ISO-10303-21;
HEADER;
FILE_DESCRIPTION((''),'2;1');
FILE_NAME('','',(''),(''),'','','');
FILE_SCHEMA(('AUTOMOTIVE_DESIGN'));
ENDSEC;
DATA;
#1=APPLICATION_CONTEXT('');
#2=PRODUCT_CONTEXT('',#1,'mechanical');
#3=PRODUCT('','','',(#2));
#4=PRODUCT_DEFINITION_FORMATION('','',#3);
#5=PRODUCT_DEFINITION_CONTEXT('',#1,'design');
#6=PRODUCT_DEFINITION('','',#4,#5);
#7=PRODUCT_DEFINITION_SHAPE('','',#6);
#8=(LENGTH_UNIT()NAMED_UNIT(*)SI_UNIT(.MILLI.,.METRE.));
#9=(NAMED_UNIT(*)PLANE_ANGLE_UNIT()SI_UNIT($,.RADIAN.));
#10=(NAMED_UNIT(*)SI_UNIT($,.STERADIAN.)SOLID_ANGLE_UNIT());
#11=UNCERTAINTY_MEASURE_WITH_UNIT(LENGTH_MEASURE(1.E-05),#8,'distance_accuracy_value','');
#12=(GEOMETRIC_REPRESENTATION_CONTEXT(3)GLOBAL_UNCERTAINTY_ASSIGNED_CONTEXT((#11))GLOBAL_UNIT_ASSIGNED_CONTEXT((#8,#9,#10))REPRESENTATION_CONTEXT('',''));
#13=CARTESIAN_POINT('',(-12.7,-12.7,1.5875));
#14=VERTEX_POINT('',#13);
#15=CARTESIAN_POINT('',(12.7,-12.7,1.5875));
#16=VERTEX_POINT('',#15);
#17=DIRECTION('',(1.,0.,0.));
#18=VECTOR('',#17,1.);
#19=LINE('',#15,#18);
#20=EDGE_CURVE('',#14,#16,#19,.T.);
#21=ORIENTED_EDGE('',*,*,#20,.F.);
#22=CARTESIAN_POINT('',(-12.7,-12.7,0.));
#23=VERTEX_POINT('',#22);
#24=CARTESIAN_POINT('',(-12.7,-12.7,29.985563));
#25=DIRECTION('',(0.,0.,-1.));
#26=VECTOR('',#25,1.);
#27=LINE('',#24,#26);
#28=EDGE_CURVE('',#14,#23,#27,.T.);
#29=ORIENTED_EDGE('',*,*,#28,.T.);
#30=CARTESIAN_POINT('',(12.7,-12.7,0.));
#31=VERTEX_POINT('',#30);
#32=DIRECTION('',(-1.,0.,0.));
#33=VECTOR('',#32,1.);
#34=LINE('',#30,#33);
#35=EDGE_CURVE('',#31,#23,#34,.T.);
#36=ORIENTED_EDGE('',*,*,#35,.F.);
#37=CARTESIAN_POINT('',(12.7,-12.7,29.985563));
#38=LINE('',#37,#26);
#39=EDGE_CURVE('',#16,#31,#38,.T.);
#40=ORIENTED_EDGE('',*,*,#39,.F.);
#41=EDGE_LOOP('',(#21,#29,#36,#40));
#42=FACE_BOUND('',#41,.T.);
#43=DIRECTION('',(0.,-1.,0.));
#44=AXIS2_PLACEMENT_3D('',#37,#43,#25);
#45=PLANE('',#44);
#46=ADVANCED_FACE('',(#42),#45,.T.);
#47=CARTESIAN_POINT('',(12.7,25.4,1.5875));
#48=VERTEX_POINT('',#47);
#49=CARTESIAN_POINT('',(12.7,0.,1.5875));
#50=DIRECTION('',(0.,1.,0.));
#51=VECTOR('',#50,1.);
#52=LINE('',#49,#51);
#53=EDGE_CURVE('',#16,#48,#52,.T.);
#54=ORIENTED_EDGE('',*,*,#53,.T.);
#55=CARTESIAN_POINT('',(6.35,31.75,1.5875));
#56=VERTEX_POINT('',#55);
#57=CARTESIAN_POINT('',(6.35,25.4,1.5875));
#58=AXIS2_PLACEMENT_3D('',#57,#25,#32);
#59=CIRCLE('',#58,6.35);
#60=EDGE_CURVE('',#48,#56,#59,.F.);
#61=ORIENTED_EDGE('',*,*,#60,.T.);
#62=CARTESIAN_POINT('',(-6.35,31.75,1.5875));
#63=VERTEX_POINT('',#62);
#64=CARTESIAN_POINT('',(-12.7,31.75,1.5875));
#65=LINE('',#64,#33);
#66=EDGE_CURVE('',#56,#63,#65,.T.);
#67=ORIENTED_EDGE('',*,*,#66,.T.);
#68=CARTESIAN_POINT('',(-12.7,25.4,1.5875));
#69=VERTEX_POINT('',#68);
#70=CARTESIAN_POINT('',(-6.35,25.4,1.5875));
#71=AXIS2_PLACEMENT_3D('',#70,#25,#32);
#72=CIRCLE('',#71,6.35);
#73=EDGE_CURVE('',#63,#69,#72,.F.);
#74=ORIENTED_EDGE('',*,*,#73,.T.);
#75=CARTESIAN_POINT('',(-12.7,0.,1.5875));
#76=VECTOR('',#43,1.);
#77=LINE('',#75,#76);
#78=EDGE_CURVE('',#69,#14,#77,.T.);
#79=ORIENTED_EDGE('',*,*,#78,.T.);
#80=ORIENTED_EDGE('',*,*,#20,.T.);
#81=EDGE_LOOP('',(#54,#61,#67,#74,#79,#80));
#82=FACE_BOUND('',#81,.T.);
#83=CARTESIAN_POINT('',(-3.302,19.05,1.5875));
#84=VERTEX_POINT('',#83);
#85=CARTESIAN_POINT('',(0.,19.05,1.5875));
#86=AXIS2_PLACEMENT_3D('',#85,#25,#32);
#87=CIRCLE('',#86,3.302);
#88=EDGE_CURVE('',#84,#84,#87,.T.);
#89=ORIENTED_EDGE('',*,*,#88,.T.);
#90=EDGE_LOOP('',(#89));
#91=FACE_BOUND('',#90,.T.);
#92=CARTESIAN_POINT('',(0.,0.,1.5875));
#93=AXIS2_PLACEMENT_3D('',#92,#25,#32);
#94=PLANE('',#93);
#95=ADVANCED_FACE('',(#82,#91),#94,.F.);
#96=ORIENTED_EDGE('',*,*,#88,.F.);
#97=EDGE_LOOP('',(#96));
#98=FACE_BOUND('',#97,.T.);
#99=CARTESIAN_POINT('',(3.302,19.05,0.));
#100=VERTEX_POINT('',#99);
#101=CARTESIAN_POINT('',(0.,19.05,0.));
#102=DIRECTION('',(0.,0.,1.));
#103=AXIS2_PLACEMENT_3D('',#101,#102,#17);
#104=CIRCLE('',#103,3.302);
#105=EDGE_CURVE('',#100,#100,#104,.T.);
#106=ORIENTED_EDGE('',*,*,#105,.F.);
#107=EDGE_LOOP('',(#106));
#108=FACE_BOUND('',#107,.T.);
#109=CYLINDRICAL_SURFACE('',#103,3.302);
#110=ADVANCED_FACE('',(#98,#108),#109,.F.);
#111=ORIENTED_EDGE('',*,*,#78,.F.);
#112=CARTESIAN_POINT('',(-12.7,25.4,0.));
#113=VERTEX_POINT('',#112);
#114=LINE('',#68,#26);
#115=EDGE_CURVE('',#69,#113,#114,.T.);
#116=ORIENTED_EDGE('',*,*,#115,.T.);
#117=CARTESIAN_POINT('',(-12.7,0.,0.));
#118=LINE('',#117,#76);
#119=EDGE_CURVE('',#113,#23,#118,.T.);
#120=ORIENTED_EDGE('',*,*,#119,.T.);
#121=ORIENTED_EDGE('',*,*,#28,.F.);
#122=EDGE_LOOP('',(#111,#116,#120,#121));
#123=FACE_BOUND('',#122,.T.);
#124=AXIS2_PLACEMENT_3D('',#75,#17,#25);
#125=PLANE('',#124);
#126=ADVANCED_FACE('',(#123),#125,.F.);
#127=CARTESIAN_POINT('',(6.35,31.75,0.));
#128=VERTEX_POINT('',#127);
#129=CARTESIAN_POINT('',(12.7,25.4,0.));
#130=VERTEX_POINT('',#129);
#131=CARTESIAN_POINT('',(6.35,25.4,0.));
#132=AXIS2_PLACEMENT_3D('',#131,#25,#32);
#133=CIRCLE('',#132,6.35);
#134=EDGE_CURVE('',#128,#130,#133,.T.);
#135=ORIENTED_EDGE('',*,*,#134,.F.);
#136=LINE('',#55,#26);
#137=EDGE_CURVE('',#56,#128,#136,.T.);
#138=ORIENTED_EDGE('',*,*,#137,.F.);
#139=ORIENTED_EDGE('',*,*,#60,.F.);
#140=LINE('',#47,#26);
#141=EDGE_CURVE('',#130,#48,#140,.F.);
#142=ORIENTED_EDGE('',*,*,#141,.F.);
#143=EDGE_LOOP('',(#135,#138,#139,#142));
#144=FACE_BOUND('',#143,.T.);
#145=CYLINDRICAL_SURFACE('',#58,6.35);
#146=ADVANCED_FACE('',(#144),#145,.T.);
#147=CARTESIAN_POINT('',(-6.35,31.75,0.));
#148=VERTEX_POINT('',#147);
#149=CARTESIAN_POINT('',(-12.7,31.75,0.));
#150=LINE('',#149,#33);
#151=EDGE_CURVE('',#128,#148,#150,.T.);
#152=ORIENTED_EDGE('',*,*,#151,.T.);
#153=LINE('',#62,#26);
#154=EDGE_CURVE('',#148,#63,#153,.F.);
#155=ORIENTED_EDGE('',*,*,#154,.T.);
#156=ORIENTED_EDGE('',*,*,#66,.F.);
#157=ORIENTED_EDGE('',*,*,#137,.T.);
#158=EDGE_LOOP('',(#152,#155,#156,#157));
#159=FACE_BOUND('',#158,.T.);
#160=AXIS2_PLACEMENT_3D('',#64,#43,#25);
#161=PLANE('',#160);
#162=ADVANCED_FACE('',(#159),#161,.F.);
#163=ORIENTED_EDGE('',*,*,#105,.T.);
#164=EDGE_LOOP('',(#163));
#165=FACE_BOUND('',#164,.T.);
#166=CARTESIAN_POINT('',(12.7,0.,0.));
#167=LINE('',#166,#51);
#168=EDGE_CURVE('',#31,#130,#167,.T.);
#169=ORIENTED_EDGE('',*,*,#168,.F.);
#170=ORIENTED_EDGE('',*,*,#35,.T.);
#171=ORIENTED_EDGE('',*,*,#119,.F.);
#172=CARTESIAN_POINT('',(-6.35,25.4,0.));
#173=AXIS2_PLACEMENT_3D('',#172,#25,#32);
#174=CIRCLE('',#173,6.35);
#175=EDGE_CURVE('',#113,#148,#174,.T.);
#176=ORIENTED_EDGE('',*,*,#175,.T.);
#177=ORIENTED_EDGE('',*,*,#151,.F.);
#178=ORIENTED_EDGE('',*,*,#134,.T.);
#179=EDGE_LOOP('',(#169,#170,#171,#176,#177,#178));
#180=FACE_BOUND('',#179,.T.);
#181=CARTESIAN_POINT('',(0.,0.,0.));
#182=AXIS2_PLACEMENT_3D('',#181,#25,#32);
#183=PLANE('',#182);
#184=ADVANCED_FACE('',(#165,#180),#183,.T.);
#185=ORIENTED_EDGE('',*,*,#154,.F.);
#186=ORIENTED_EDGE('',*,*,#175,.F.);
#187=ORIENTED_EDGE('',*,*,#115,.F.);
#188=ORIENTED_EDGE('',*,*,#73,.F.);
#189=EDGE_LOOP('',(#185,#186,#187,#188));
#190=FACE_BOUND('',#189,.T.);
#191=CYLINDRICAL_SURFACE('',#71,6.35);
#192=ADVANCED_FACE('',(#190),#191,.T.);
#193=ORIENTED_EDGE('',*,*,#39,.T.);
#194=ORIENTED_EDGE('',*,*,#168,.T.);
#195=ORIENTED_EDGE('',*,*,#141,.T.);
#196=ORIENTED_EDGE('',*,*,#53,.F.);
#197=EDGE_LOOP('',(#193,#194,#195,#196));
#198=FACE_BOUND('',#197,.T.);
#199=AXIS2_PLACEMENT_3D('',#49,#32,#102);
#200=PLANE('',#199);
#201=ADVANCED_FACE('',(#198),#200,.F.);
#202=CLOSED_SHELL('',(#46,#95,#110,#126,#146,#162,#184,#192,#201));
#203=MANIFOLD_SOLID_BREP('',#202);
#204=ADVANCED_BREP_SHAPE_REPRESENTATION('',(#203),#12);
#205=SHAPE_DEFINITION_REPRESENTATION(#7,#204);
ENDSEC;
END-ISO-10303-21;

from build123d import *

# Parameters (mm, degrees)
SKETCH1_W               = 25.4
SKETCH1_H               = 31.75
BOSS_EXTRUDE1_DEPTH     = 1.5875
CUT_EXTRUDE1_DEPTH      = 35.232625611
CUT_EXTRUDE1_DEPTH_BACK = 35.232625611
SKETCH2_R               = 3.302
FILLET1_R               = 6.35
SKETCH3_W               = 25.4
SKETCH3_H               = 12.7
BOSS_EXTRUDE2_DEPTH     = 1.5875


with BuildPart() as part:
    # Sketch1 → Boss-Extrude1 (new body)
    with BuildSketch(Plane.XY):
        with Locations((0, 15.875)):
            Rectangle(SKETCH1_W, SKETCH1_H)
    extrude(amount=BOSS_EXTRUDE1_DEPTH)

    # Sketch2 → Cut-Extrude1 (cut, two sides: drawn at the far end of the back side and taken through both)
    with BuildSketch(Plane.XY.offset(1.5875).offset(-CUT_EXTRUDE1_DEPTH_BACK)):
        with Locations((0, 19.05)):
            Circle(SKETCH2_R)
    extrude(amount=CUT_EXTRUDE1_DEPTH + CUT_EXTRUDE1_DEPTH_BACK, mode=Mode.SUBTRACT)

    # Fillet1
    fillet1_edges = [part.edges().sort_by_distance(p)[0] for p in [
        (-12.7, 31.75, 0.79375),
        (12.7, 31.75, 0.79375),
    ]]
    fillet(fillet1_edges, radius=FILLET1_R)

    # Sketch3 → Boss-Extrude2 (add)
    with BuildSketch(Plane(origin=(0, 0, 0), x_dir=(-1, 0, 0), z_dir=(0, 0, -1))):
        with Locations((0, -6.35)):
            Rectangle(SKETCH3_W, SKETCH3_H)
    extrude(amount=-BOSS_EXTRUDE2_DEPTH)


solid = part.part
